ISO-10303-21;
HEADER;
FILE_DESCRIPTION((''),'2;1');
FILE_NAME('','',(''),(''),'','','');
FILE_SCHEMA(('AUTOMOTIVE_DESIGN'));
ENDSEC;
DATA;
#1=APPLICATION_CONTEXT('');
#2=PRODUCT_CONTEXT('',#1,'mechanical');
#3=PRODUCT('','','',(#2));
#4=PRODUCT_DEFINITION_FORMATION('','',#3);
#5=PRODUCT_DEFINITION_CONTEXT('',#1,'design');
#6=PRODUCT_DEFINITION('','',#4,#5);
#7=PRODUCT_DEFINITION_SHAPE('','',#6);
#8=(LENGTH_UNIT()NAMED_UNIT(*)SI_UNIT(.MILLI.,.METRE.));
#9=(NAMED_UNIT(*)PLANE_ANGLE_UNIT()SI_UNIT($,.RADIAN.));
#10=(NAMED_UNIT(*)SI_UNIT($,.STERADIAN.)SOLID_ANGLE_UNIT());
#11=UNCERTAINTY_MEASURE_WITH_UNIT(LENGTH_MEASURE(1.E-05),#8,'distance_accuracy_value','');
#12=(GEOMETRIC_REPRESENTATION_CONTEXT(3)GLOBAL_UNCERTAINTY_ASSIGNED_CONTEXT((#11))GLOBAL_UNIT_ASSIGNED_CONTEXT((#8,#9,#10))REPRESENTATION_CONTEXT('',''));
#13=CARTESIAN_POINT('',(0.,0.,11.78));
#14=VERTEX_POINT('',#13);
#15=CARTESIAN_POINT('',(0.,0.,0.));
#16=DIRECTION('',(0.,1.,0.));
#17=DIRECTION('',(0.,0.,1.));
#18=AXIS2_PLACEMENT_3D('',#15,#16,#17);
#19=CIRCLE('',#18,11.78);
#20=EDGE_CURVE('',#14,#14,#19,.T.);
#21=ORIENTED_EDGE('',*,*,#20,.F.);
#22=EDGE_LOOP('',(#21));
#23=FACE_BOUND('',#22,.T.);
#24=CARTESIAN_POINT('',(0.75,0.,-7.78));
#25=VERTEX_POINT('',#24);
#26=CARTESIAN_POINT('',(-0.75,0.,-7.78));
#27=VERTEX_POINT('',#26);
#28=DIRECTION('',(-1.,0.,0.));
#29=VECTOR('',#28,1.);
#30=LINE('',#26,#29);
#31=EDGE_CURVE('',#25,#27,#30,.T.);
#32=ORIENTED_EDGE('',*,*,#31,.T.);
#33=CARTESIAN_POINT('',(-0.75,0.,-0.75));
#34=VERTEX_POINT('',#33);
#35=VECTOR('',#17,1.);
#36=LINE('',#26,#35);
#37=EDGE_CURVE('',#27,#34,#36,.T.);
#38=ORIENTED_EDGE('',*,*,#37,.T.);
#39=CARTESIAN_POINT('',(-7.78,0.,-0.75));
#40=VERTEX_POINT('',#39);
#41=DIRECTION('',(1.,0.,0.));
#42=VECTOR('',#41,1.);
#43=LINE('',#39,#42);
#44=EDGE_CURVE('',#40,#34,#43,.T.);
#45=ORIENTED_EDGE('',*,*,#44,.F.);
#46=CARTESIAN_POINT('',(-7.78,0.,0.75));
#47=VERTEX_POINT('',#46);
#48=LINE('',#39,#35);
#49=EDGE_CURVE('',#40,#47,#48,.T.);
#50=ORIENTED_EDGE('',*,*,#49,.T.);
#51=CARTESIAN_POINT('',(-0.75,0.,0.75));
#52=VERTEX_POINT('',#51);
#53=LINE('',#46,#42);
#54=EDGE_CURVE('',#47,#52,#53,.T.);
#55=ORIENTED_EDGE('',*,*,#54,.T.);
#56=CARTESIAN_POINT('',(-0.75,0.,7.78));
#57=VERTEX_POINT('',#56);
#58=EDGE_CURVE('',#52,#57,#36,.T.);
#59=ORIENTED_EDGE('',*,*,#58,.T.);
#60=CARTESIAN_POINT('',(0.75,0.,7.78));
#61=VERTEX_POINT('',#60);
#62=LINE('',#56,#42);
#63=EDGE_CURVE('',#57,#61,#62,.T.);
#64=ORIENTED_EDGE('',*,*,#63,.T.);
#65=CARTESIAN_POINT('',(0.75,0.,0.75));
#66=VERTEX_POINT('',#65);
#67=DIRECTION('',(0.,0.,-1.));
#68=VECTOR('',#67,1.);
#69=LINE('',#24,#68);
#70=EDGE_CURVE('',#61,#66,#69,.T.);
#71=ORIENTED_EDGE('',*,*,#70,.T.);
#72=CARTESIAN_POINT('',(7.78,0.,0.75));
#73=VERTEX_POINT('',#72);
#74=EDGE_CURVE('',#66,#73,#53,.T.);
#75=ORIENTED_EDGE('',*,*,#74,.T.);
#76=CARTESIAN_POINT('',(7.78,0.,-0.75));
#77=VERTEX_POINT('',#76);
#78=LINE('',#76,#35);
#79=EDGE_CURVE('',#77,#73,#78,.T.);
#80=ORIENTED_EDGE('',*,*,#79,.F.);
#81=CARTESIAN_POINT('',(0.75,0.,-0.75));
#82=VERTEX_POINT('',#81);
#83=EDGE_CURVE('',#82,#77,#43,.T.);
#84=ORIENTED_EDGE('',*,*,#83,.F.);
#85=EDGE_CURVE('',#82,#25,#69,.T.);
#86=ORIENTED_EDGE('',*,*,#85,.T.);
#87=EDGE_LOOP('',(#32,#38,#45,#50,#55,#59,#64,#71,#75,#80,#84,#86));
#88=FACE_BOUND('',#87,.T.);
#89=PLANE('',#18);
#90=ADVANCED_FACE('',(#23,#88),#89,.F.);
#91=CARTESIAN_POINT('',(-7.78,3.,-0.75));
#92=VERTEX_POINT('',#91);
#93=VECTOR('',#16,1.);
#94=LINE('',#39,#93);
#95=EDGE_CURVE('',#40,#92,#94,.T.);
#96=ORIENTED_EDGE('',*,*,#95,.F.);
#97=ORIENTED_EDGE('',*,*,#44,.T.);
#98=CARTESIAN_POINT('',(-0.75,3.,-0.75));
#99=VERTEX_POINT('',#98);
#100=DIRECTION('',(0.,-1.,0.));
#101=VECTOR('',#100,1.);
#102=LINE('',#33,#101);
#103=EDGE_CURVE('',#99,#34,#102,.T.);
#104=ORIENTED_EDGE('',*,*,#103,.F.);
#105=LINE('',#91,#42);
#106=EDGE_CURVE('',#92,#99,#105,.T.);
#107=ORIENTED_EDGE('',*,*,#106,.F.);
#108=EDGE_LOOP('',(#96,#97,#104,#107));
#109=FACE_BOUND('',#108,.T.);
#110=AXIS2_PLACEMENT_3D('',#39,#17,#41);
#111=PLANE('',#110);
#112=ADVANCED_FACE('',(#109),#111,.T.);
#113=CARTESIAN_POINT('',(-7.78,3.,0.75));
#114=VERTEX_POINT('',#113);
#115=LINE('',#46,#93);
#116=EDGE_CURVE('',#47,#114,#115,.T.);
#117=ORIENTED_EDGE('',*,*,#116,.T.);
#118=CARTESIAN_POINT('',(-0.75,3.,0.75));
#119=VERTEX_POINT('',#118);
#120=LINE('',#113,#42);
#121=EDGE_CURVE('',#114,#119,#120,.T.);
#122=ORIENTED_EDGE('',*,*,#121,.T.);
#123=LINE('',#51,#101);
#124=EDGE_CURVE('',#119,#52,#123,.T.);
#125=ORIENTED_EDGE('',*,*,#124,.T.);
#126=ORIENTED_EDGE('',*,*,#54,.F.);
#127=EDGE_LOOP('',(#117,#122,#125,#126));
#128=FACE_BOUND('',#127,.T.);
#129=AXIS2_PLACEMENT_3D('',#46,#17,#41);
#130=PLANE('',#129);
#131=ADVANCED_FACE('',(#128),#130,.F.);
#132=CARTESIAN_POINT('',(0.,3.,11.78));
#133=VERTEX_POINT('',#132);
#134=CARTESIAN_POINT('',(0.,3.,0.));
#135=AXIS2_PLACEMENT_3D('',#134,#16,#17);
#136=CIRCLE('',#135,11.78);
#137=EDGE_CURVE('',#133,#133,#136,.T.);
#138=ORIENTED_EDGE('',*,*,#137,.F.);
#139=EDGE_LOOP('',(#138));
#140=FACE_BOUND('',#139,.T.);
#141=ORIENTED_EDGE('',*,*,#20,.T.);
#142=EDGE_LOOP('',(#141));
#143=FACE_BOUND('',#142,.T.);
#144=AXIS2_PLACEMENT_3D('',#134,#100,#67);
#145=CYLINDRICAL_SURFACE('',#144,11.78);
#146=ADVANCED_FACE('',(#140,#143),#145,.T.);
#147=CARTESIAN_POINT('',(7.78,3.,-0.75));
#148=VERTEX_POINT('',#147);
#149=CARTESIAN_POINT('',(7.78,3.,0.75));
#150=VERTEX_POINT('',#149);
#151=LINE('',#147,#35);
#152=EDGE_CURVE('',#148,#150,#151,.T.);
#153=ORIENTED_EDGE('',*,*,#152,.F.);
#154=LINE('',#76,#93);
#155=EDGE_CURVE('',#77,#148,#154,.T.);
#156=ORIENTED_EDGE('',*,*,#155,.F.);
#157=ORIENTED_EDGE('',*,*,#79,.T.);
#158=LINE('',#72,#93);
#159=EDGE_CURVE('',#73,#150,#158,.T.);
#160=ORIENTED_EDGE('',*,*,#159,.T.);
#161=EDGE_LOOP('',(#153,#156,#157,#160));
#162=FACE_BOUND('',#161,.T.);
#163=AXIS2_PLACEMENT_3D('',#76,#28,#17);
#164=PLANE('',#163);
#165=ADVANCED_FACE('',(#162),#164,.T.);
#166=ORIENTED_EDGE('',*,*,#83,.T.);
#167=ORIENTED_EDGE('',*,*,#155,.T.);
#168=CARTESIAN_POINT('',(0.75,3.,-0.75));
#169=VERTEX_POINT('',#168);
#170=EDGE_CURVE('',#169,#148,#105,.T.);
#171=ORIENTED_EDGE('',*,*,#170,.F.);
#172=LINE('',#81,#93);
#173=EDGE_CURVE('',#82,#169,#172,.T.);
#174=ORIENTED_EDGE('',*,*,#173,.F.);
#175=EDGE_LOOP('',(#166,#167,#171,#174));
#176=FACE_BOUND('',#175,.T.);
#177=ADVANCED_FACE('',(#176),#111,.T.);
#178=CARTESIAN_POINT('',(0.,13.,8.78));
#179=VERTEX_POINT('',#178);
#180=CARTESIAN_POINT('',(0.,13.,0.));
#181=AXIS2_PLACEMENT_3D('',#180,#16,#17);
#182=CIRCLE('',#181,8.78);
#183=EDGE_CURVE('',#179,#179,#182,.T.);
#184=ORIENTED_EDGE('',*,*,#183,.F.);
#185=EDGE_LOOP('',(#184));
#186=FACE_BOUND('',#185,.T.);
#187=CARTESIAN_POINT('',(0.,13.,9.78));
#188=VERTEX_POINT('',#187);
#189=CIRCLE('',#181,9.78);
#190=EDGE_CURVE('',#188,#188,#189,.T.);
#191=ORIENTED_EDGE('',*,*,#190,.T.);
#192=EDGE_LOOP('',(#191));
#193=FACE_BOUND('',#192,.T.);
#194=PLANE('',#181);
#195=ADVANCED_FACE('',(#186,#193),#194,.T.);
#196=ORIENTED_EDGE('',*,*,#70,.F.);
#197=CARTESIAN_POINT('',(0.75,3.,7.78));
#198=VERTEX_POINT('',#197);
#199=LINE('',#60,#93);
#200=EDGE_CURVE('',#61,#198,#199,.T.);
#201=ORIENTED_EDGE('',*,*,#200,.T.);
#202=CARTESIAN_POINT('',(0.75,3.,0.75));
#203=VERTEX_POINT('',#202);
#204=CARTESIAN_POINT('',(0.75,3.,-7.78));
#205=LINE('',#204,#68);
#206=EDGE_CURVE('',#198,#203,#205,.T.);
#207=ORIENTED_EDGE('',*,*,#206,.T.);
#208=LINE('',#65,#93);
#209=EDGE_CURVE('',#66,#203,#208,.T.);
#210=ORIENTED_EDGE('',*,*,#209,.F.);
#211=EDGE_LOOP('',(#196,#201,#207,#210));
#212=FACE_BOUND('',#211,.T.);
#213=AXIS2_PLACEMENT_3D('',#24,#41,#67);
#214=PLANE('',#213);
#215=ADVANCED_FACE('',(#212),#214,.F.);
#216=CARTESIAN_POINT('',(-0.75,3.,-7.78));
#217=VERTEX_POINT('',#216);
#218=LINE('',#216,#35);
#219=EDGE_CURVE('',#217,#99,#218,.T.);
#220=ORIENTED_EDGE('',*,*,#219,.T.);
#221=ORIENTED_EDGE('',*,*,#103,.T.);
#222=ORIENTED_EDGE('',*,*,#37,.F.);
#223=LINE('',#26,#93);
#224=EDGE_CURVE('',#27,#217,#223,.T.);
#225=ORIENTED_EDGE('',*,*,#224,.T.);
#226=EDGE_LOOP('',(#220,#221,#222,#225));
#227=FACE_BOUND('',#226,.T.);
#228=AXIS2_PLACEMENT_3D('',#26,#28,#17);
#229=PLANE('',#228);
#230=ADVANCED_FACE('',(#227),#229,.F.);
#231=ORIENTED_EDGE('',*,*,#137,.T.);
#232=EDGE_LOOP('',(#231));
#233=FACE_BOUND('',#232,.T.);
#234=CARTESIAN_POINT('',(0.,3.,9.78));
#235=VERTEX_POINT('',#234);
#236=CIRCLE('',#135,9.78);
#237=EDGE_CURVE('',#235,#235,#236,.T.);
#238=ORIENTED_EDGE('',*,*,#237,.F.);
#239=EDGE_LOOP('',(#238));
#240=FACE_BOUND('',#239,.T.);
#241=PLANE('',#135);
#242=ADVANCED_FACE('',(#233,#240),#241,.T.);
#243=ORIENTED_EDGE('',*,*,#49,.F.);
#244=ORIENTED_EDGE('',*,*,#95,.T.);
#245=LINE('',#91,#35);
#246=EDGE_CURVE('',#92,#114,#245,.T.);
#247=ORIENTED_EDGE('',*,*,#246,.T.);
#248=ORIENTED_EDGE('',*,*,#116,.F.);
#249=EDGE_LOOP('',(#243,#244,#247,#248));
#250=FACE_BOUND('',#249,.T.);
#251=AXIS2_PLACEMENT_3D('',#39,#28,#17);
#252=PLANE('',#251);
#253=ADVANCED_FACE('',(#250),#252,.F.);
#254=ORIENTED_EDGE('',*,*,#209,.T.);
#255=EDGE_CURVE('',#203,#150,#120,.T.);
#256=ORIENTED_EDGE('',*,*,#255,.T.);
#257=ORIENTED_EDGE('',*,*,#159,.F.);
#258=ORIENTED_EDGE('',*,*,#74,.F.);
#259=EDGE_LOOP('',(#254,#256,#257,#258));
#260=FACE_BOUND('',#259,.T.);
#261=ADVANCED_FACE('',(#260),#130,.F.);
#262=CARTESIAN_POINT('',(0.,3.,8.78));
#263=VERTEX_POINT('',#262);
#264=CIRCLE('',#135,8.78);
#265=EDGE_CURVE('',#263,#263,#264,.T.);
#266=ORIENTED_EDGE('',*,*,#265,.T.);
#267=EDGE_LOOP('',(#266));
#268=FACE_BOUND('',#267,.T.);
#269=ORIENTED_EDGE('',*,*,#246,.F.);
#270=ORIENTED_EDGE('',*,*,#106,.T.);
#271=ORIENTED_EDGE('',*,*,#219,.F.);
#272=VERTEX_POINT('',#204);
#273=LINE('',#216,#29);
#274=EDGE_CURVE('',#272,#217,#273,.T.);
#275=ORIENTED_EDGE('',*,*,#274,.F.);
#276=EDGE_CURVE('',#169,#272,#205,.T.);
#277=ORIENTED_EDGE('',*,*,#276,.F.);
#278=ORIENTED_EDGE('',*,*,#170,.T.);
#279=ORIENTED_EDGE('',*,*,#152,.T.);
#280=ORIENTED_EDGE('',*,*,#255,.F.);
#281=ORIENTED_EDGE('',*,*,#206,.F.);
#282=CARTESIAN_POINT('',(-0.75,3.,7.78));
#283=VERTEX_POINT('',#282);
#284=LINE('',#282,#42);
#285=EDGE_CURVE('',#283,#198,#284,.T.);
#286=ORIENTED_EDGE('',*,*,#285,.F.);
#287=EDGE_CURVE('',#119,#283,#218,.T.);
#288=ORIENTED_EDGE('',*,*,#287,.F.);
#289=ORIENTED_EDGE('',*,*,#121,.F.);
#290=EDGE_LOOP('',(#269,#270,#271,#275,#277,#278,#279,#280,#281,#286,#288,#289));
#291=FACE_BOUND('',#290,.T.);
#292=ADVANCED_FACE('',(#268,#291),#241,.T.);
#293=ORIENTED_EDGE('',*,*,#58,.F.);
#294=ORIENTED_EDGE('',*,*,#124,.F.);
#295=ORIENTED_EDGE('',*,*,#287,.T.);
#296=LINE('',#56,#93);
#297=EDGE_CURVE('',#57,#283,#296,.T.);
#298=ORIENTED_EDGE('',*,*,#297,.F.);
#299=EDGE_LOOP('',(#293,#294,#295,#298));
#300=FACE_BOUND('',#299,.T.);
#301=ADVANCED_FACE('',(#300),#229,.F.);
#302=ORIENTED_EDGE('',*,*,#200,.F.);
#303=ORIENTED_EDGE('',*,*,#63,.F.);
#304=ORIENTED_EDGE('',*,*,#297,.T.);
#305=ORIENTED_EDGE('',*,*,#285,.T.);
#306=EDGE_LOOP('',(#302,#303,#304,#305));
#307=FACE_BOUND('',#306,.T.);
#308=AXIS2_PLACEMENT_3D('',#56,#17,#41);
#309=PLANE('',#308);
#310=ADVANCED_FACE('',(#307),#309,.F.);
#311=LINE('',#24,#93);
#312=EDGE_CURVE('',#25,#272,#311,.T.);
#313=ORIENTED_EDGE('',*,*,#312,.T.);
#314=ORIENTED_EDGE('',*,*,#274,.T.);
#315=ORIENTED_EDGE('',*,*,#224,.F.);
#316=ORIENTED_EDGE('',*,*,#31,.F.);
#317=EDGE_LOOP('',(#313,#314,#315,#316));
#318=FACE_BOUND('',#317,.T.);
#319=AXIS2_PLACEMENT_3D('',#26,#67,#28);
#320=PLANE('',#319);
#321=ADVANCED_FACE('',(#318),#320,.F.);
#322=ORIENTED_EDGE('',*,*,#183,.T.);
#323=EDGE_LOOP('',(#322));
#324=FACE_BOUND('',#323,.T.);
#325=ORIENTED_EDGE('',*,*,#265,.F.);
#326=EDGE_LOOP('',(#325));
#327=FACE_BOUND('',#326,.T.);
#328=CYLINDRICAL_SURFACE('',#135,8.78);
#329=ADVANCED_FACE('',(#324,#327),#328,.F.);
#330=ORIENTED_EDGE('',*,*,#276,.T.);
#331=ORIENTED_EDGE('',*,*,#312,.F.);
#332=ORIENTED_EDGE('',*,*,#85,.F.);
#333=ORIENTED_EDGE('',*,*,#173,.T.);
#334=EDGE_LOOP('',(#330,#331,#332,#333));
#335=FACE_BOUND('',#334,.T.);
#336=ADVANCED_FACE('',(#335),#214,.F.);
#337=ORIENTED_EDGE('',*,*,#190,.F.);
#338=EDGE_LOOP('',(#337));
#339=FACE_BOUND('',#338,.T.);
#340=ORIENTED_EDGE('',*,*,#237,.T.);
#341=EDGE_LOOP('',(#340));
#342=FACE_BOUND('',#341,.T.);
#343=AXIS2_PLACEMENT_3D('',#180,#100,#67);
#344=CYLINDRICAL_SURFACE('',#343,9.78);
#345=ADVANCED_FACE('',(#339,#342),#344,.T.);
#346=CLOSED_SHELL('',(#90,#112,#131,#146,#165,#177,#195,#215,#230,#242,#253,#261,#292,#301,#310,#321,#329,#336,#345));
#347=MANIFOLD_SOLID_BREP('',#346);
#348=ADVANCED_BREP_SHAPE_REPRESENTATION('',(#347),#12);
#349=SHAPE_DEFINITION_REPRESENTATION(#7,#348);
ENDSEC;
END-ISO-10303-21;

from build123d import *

# Parameters (mm, degrees)
SKETCH1_R           = 11.78
BOSS_EXTRUDE1_DEPTH = 3
SKETCH3_W           = 15.56
SKETCH3_H           = 1.5
CUT_EXTRUDE1_DEPTH  = 3
SKETCH4_W           = 1.5
SKETCH4_H           = 15.56
CUT_EXTRUDE2_DEPTH  = 3
SKETCH5_R           = 9.78
BOSS_EXTRUDE3_DEPTH = 10
SKETCH6_R           = 8.78
CUT_EXTRUDE3_DEPTH  = 10


with BuildPart() as part:
    # Sketch1 → Boss-Extrude1 (new body)
    with BuildSketch(Plane(origin=(0, 0, 0), x_dir=(1, 0, 0), z_dir=(0, 1, 0))):
        with Locations(Location((0, 0, 0), (0, 0, 270))):
            Circle(SKETCH1_R)
    extrude(amount=BOSS_EXTRUDE1_DEPTH)

    # Sketch3 → Cut-Extrude1 (cut)
    with BuildSketch(Plane(origin=(0, 3, 0), x_dir=(1, 0, 0), z_dir=(0, 1, 0))):
        Rectangle(SKETCH3_W, SKETCH3_H)
    extrude(amount=-CUT_EXTRUDE1_DEPTH, mode=Mode.SUBTRACT)

    # Sketch4 → Cut-Extrude2 (cut)
    with BuildSketch(Plane(origin=(0, 3, 0), x_dir=(1, 0, 0), z_dir=(0, 1, 0))):
        Rectangle(SKETCH4_W, SKETCH4_H)
    extrude(amount=-CUT_EXTRUDE2_DEPTH, mode=Mode.SUBTRACT)

    # Sketch5 → Boss-Extrude3 (add)
    with BuildSketch(Plane(origin=(0, 3, 0), x_dir=(1, 0, 0), z_dir=(0, 1, 0))):
        with Locations(Location((0, 0, 0), (0, 0, 270))):
            Circle(SKETCH5_R)
    extrude(amount=BOSS_EXTRUDE3_DEPTH)

    # Sketch6 → Cut-Extrude3 (cut)
    with BuildSketch(Plane(origin=(0, 13, 0), x_dir=(1, 0, 0), z_dir=(0, 1, 0))):
        with Locations(Location((0, 0, 0), (0, 0, 270))):
            Circle(SKETCH6_R)
    extrude(amount=-CUT_EXTRUDE3_DEPTH, mode=Mode.SUBTRACT)


solid = part.part
